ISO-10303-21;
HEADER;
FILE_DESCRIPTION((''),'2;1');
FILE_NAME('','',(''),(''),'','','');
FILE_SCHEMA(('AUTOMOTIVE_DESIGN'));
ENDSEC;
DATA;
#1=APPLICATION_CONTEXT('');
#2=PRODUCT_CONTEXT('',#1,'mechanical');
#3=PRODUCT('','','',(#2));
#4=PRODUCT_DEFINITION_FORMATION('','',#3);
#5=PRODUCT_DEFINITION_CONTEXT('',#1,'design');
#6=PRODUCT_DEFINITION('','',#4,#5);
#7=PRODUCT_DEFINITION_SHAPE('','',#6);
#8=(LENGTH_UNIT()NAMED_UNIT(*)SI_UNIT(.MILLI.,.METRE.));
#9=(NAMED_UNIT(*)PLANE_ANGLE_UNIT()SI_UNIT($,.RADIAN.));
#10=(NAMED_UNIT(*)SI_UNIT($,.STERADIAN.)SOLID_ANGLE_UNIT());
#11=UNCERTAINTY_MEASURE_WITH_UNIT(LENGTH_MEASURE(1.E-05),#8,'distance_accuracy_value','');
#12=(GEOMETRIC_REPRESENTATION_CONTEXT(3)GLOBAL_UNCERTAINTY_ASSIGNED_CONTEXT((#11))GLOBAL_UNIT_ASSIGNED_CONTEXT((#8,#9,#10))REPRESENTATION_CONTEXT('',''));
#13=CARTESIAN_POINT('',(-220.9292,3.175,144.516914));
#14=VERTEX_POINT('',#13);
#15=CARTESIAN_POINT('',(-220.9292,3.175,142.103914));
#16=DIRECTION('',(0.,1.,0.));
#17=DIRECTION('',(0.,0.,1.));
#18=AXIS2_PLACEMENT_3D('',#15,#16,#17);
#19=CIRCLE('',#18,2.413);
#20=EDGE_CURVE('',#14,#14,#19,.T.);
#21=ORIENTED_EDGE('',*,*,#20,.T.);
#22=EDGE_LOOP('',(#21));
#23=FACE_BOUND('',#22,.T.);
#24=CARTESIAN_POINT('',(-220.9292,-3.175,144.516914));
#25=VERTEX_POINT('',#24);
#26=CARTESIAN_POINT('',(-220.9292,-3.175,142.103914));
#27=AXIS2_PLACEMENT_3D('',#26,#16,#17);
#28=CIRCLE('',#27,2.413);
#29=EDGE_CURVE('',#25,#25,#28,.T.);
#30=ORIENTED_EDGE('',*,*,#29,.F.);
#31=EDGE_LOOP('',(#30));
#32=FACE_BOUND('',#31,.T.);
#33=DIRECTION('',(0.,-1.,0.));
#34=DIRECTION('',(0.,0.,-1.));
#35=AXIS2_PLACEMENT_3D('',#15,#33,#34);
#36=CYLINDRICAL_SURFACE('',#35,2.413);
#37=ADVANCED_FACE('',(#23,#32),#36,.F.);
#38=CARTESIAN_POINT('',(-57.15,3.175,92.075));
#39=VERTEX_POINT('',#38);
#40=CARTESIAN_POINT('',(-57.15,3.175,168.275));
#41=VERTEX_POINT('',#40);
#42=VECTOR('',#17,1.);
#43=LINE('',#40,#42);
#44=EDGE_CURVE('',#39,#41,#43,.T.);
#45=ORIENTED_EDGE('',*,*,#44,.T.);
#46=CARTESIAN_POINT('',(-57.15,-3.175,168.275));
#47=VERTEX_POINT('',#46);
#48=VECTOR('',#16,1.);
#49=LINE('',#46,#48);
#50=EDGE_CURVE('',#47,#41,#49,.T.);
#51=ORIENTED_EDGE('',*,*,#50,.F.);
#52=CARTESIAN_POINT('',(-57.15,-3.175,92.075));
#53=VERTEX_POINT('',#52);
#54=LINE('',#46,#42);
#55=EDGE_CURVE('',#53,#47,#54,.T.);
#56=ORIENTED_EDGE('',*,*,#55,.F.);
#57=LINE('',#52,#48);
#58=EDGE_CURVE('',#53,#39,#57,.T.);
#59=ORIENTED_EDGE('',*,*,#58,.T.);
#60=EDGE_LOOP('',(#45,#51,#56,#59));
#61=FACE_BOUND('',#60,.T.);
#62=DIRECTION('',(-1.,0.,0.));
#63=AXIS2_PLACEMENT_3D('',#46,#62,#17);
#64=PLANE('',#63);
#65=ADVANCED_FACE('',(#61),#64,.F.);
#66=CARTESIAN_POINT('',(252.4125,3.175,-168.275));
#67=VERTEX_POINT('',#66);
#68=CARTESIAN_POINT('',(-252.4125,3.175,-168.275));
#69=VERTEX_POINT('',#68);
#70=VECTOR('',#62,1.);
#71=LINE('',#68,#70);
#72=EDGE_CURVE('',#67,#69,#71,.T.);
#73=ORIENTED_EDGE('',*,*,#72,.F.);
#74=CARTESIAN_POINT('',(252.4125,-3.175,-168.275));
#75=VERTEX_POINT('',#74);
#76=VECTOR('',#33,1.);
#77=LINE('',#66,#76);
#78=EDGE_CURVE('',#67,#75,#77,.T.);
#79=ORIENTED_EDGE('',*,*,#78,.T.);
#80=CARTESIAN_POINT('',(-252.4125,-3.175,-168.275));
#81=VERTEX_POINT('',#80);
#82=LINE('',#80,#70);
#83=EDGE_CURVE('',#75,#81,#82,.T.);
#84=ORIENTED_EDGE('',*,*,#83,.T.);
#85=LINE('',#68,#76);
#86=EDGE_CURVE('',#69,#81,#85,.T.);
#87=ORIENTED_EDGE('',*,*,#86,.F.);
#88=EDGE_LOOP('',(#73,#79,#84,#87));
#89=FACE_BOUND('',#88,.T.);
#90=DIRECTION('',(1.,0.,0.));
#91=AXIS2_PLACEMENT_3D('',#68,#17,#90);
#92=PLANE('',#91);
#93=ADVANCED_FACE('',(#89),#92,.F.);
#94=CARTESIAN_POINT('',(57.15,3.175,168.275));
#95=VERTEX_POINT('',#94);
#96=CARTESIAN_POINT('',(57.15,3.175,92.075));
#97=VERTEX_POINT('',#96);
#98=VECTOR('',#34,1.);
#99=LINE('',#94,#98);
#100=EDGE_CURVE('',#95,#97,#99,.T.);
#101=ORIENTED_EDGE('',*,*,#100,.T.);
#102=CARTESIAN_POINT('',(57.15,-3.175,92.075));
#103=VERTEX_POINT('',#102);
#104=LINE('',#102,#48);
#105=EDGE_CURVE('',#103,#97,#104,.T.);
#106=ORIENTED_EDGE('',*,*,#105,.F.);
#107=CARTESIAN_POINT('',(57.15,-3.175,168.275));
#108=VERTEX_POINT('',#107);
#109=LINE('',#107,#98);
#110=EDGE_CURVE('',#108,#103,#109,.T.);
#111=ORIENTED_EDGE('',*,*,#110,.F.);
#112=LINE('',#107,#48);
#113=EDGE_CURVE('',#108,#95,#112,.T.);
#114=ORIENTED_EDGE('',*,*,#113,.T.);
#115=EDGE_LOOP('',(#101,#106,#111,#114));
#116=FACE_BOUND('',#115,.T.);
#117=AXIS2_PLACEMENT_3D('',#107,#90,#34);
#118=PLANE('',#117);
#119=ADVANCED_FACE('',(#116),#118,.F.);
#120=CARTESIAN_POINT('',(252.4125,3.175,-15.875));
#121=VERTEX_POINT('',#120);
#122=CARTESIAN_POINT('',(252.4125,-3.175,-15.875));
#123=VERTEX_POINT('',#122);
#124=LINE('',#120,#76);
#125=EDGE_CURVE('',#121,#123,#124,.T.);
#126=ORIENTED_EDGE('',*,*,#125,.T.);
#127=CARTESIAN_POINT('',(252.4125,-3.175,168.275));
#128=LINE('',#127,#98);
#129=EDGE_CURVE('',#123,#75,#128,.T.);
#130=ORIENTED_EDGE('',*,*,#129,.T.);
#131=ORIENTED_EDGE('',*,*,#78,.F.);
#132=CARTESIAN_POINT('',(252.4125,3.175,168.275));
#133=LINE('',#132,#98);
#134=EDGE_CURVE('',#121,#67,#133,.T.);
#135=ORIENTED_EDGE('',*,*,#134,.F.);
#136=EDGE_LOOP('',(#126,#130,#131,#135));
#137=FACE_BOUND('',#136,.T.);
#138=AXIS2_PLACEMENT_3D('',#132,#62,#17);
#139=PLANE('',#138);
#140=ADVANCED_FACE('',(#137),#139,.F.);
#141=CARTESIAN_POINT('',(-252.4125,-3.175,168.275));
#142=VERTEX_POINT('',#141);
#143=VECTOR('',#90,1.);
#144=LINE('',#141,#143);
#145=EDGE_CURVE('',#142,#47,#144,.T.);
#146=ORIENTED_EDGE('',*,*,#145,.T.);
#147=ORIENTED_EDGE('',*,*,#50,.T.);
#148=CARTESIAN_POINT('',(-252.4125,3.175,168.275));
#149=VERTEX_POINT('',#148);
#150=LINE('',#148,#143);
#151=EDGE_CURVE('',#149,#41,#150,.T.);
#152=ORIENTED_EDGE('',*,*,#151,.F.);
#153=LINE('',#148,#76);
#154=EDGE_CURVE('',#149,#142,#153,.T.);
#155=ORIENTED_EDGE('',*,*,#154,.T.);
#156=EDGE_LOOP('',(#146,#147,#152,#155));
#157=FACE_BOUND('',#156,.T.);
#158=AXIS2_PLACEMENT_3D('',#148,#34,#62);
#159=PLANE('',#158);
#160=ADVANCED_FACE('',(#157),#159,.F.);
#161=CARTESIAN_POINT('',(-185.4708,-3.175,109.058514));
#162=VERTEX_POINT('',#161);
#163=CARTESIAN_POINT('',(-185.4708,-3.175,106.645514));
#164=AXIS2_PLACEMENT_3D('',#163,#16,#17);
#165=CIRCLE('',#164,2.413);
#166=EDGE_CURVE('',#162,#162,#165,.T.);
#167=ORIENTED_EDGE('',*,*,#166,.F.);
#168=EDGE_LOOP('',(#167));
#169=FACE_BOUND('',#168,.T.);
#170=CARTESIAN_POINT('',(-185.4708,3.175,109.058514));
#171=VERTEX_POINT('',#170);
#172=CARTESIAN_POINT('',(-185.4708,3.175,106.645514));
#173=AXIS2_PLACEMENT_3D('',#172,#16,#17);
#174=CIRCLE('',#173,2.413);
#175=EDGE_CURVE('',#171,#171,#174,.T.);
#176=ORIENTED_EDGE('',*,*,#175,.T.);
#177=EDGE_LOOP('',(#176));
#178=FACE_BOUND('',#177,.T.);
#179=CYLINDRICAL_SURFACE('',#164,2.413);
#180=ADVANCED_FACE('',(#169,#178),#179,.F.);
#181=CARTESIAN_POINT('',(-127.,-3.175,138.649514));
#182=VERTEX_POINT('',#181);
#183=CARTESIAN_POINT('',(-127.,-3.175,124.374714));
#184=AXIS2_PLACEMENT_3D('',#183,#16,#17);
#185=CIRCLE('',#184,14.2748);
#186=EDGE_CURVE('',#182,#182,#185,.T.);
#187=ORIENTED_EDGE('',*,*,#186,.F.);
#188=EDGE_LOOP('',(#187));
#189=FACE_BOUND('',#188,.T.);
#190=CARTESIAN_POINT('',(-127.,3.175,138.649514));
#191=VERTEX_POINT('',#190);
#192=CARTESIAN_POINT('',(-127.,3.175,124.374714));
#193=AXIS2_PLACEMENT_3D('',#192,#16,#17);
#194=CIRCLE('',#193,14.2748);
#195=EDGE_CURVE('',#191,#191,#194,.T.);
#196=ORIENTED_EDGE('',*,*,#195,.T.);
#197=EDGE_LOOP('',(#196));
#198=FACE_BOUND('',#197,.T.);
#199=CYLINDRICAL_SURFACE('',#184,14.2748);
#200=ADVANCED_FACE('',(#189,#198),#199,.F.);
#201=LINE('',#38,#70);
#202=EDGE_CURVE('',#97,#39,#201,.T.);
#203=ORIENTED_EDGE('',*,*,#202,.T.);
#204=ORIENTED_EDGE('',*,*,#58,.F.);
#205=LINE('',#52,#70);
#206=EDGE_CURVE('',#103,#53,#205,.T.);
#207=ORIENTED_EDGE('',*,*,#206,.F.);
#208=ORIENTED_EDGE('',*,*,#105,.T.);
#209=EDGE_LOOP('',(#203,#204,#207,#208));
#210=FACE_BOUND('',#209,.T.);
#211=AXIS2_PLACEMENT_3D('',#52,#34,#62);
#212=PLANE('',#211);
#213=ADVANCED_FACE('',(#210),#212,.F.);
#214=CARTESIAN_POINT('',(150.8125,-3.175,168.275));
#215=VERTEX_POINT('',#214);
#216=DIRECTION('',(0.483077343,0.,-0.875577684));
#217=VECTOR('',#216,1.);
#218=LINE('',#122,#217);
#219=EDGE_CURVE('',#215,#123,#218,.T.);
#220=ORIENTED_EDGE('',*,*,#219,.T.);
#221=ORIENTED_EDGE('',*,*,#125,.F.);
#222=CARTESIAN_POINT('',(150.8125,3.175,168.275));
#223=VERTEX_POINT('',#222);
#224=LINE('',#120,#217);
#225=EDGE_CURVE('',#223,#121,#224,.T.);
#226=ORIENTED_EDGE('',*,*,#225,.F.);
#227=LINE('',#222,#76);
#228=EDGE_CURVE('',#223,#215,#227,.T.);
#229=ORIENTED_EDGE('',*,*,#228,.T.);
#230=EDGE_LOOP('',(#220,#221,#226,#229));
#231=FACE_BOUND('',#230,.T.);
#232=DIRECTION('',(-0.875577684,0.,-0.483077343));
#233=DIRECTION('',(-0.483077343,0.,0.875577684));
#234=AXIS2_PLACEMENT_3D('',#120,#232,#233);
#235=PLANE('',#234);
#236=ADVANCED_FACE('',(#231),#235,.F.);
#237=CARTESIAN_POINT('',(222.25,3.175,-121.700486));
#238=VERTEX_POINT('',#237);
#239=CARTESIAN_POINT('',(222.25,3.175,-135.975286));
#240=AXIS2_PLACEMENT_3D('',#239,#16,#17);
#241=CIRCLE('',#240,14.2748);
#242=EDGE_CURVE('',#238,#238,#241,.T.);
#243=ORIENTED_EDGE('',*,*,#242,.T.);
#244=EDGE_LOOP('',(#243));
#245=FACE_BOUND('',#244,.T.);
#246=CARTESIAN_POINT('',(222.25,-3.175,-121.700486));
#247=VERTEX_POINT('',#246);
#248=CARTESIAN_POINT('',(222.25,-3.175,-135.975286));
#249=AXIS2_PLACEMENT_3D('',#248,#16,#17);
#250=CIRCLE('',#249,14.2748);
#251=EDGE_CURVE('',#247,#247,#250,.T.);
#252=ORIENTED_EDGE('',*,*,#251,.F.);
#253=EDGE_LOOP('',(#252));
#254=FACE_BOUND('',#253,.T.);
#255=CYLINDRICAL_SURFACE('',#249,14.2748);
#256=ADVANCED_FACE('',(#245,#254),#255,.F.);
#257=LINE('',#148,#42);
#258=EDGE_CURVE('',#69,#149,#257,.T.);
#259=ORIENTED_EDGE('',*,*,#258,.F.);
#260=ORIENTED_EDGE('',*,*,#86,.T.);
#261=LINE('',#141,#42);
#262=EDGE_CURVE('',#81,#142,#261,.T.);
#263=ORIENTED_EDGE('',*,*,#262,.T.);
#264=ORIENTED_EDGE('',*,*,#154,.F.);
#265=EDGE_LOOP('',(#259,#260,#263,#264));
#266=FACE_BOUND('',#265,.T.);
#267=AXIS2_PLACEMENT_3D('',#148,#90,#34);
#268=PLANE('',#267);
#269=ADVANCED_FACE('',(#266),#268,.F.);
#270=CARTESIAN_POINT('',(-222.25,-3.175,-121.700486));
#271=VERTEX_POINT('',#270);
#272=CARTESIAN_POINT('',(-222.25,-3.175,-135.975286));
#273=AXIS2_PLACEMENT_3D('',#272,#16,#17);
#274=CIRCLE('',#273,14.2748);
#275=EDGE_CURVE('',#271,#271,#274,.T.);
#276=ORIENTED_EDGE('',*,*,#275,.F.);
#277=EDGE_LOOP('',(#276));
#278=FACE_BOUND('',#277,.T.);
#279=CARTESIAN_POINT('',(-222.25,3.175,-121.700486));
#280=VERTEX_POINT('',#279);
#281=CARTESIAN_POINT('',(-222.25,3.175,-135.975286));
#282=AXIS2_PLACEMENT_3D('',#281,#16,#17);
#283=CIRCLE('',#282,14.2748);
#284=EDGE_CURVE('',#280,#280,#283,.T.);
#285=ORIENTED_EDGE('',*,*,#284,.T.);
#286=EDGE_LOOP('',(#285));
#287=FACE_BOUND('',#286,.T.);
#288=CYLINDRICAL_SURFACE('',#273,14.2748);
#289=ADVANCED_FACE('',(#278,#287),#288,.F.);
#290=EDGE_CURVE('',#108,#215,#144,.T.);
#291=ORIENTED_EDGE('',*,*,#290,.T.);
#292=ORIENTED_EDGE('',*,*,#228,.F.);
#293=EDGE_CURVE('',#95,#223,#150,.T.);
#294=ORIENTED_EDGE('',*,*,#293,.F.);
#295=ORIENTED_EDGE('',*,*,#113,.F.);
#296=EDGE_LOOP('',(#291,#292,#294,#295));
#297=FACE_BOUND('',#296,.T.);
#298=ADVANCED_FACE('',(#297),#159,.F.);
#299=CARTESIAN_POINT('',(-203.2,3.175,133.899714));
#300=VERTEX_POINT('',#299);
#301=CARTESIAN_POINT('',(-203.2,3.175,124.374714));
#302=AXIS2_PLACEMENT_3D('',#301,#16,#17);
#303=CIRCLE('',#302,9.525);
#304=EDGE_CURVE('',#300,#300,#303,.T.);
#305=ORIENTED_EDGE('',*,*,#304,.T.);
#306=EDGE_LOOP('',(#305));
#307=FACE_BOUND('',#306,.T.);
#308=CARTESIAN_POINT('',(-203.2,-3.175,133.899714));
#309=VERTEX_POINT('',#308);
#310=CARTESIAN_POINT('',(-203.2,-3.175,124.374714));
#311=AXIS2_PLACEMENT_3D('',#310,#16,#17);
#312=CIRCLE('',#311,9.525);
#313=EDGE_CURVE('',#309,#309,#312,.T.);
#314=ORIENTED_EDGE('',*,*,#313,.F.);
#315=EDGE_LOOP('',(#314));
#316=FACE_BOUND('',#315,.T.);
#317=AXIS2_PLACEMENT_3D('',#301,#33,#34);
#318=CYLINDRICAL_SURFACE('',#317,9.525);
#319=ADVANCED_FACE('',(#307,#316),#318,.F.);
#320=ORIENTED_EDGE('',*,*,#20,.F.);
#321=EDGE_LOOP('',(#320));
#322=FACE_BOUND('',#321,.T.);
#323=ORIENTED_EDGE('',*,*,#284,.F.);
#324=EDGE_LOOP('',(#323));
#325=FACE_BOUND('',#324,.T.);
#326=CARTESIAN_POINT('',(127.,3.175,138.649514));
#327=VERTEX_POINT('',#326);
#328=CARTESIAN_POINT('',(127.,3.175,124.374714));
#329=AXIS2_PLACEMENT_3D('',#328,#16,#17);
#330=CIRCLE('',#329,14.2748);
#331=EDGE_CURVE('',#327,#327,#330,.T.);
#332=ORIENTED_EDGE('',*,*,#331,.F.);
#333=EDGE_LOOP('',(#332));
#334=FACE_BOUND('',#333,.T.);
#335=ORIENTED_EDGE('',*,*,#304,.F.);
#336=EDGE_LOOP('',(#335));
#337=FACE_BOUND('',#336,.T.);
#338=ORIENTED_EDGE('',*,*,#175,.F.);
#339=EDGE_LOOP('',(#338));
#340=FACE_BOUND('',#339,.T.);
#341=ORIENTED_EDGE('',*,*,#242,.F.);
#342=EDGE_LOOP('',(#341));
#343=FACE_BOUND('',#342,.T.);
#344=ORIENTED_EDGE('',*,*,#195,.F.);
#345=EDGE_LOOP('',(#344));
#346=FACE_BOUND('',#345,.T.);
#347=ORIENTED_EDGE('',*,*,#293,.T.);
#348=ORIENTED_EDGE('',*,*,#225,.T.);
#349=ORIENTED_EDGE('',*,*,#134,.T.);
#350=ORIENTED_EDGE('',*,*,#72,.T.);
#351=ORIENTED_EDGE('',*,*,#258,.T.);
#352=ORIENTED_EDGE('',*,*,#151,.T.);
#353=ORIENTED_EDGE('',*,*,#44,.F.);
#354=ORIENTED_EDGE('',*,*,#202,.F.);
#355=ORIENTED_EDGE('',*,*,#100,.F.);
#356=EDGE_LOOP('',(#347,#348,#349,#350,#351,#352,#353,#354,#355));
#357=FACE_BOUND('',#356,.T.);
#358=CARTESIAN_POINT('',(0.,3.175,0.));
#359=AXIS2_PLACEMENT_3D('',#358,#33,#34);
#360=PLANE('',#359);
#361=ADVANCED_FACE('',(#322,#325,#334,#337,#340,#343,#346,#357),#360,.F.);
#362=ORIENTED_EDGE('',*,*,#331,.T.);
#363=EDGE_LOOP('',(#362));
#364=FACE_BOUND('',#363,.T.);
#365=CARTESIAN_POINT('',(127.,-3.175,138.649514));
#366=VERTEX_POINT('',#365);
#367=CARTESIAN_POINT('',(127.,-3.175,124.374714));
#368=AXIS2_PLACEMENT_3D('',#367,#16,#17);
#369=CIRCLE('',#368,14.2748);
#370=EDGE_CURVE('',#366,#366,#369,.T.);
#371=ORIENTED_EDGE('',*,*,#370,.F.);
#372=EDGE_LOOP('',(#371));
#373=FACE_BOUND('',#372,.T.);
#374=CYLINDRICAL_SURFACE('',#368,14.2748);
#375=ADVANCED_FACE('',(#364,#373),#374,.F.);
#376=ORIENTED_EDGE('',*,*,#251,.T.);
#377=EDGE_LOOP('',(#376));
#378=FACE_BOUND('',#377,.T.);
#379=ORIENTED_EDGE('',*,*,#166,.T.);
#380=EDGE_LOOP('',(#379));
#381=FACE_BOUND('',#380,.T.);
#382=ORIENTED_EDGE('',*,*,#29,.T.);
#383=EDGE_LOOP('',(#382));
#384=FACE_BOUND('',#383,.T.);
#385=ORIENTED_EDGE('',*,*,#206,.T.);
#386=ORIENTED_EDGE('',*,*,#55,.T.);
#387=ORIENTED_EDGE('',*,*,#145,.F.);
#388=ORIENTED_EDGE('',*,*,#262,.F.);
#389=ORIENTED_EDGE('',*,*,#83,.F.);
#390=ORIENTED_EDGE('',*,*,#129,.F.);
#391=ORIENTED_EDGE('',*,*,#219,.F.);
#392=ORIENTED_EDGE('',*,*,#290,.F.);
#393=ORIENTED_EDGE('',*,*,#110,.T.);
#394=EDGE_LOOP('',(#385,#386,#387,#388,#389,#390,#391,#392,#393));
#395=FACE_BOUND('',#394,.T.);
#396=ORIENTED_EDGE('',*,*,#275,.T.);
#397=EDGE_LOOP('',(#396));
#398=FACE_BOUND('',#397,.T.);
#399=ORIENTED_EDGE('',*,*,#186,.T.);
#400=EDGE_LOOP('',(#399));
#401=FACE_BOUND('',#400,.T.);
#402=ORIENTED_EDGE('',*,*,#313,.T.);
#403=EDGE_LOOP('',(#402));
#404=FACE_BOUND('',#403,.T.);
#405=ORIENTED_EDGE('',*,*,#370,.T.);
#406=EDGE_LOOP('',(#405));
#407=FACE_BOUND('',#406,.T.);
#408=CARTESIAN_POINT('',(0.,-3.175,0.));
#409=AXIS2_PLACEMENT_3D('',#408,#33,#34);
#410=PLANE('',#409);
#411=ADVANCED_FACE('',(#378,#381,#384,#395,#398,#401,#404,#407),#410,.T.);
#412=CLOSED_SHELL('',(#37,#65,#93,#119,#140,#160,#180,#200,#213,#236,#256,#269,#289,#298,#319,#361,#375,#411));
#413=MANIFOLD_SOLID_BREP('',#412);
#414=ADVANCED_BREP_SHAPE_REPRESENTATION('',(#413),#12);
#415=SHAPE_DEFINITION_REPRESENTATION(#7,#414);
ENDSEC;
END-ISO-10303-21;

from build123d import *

# Parameters (mm, degrees)
SKETCH1_W               = 504.825
SKETCH1_H               = 336.55
BOSS_EXTRUDE1_DEPTH     = 3.175
SKETCH2_R               = 14.2748
CUT_EXTRUDE1_DEPTH      = 7.35
CUT_EXTRUDE3_DEPTH      = 7.35
SKETCH6_W               = 114.3
SKETCH6_H               = 76.2
CUT_EXTRUDE4_DEPTH      = 7.35
SKETCH8_R               = 2.413
SKETCH8_R_2             = 9.525
BOSS_EXTRUDE3_DEPTH     = 3.175
CUT_EXTRUDE5_DEPTH      = 4.175
CUT_EXTRUDE5_DEPTH_BACK = 4.175


with BuildPart() as part:
    # Sketch1 → Boss-Extrude1 (new body, symmetric)
    with BuildSketch(Plane(origin=(0, 0, 0), x_dir=(1, 0, 0), z_dir=(0, 1, 0))):
        Rectangle(SKETCH1_W, SKETCH1_H)
    extrude(amount=BOSS_EXTRUDE1_DEPTH, both=True)

    # Sketch2 → Cut-Extrude1 (cut, through all)
    with BuildSketch(Plane(origin=(0, 3.175, 0), x_dir=(1, 0, 0), z_dir=(0, 1, 0))):
        with Locations((-222.25, 135.975286336)):
            Circle(SKETCH2_R)
        with Locations((222.25, 135.975286336)):
            Circle(SKETCH2_R)
        with Locations((-127, -124.374713664)):
            Circle(SKETCH2_R)
        with Locations((127, -124.374713664)):
            Circle(SKETCH2_R)
    extrude(amount=-CUT_EXTRUDE1_DEPTH, mode=Mode.SUBTRACT)

    # Sketch5 → Cut-Extrude3 (cut, through all)
    with BuildSketch(Plane.XZ.offset(3.175)):
        Polygon((252.4125, 168.275), (252.4125, -15.875), (150.8125, 168.275), align=None)
        Polygon((-252.4125, -15.875), (-150.8125, 168.275), (-252.4125, 168.275), align=None)
    extrude(amount=-CUT_EXTRUDE3_DEPTH, mode=Mode.SUBTRACT)

    # Sketch6 → Cut-Extrude4 (cut, through all)
    with BuildSketch(Plane(origin=(0, 3.175, 0), x_dir=(1, 0, 0), z_dir=(0, 1, 0))):
        with Locations((0, -130.175)):
            Rectangle(SKETCH6_W, SKETCH6_H)
    extrude(amount=-CUT_EXTRUDE4_DEPTH, mode=Mode.SUBTRACT)

    # Sketch8 → Boss-Extrude3 (add, symmetric)
    with BuildSketch(Plane(origin=(0, 0, 0), x_dir=(1, 0, 0), z_dir=(0, 1, 0))):
        with Locations((-185.4708, -106.645513664)):
            Circle(SKETCH8_R)
        Polygon((-252.4125, 15.875), (-150.8125, -168.275), (-252.4125, -168.275), align=None)
        with Locations((-220.9292, -142.103913664)):
            Circle(SKETCH8_R, mode=Mode.SUBTRACT)
        with Locations((-203.2, -124.374713664)):
            Circle(SKETCH8_R_2, mode=Mode.SUBTRACT)
        with BuildLine():
            ThreePointArc((-183.0578, -106.645513664), (-184.003859621, -104.729618332), (-186.100199439, -104.316044767))
            Line((-186.100199439, -104.316044767), (-183.83584242, -108.420191864))
            ThreePointArc((-183.83584242, -108.420191864), (-183.260854114, -107.614383201), (-183.0578, -106.645513664))
        make_face()
        with BuildLine():
            Line((-183.83584242, -108.420191864), (-186.100199439, -104.316044767))
            ThreePointArc((-186.100199439, -104.316044767), (-187.583568952, -107.811179293), (-183.83584242, -108.420191864))
        make_face()
    extrude(amount=BOSS_EXTRUDE3_DEPTH, both=True)

    # Sketch8<3> → Cut-Extrude5 (cut, two sides)
    with BuildSketch(Plane(origin=(0, 0, 0), x_dir=(1, 0, 0), z_dir=(0, 1, 0))) as cut_extrude5_sk:
        with BuildLine():
            ThreePointArc((-183.0578, -106.645513664), (-184.003859621, -104.729618332), (-186.100199439, -104.316044767))
            Line((-186.100199439, -104.316044767), (-183.83584242, -108.420191864))
            ThreePointArc((-183.83584242, -108.420191864), (-183.260854114, -107.614383201), (-183.0578, -106.645513664))
        make_face()
        with BuildLine():
            Line((-183.83584242, -108.420191864), (-186.100199439, -104.316044767))
            ThreePointArc((-186.100199439, -104.316044767), (-187.583568952, -107.811179293), (-183.83584242, -108.420191864))
        make_face()
    extrude(amount=CUT_EXTRUDE5_DEPTH, mode=Mode.SUBTRACT)
    extrude(cut_extrude5_sk.sketch, amount=-CUT_EXTRUDE5_DEPTH_BACK, mode=Mode.SUBTRACT)


solid = part.part
